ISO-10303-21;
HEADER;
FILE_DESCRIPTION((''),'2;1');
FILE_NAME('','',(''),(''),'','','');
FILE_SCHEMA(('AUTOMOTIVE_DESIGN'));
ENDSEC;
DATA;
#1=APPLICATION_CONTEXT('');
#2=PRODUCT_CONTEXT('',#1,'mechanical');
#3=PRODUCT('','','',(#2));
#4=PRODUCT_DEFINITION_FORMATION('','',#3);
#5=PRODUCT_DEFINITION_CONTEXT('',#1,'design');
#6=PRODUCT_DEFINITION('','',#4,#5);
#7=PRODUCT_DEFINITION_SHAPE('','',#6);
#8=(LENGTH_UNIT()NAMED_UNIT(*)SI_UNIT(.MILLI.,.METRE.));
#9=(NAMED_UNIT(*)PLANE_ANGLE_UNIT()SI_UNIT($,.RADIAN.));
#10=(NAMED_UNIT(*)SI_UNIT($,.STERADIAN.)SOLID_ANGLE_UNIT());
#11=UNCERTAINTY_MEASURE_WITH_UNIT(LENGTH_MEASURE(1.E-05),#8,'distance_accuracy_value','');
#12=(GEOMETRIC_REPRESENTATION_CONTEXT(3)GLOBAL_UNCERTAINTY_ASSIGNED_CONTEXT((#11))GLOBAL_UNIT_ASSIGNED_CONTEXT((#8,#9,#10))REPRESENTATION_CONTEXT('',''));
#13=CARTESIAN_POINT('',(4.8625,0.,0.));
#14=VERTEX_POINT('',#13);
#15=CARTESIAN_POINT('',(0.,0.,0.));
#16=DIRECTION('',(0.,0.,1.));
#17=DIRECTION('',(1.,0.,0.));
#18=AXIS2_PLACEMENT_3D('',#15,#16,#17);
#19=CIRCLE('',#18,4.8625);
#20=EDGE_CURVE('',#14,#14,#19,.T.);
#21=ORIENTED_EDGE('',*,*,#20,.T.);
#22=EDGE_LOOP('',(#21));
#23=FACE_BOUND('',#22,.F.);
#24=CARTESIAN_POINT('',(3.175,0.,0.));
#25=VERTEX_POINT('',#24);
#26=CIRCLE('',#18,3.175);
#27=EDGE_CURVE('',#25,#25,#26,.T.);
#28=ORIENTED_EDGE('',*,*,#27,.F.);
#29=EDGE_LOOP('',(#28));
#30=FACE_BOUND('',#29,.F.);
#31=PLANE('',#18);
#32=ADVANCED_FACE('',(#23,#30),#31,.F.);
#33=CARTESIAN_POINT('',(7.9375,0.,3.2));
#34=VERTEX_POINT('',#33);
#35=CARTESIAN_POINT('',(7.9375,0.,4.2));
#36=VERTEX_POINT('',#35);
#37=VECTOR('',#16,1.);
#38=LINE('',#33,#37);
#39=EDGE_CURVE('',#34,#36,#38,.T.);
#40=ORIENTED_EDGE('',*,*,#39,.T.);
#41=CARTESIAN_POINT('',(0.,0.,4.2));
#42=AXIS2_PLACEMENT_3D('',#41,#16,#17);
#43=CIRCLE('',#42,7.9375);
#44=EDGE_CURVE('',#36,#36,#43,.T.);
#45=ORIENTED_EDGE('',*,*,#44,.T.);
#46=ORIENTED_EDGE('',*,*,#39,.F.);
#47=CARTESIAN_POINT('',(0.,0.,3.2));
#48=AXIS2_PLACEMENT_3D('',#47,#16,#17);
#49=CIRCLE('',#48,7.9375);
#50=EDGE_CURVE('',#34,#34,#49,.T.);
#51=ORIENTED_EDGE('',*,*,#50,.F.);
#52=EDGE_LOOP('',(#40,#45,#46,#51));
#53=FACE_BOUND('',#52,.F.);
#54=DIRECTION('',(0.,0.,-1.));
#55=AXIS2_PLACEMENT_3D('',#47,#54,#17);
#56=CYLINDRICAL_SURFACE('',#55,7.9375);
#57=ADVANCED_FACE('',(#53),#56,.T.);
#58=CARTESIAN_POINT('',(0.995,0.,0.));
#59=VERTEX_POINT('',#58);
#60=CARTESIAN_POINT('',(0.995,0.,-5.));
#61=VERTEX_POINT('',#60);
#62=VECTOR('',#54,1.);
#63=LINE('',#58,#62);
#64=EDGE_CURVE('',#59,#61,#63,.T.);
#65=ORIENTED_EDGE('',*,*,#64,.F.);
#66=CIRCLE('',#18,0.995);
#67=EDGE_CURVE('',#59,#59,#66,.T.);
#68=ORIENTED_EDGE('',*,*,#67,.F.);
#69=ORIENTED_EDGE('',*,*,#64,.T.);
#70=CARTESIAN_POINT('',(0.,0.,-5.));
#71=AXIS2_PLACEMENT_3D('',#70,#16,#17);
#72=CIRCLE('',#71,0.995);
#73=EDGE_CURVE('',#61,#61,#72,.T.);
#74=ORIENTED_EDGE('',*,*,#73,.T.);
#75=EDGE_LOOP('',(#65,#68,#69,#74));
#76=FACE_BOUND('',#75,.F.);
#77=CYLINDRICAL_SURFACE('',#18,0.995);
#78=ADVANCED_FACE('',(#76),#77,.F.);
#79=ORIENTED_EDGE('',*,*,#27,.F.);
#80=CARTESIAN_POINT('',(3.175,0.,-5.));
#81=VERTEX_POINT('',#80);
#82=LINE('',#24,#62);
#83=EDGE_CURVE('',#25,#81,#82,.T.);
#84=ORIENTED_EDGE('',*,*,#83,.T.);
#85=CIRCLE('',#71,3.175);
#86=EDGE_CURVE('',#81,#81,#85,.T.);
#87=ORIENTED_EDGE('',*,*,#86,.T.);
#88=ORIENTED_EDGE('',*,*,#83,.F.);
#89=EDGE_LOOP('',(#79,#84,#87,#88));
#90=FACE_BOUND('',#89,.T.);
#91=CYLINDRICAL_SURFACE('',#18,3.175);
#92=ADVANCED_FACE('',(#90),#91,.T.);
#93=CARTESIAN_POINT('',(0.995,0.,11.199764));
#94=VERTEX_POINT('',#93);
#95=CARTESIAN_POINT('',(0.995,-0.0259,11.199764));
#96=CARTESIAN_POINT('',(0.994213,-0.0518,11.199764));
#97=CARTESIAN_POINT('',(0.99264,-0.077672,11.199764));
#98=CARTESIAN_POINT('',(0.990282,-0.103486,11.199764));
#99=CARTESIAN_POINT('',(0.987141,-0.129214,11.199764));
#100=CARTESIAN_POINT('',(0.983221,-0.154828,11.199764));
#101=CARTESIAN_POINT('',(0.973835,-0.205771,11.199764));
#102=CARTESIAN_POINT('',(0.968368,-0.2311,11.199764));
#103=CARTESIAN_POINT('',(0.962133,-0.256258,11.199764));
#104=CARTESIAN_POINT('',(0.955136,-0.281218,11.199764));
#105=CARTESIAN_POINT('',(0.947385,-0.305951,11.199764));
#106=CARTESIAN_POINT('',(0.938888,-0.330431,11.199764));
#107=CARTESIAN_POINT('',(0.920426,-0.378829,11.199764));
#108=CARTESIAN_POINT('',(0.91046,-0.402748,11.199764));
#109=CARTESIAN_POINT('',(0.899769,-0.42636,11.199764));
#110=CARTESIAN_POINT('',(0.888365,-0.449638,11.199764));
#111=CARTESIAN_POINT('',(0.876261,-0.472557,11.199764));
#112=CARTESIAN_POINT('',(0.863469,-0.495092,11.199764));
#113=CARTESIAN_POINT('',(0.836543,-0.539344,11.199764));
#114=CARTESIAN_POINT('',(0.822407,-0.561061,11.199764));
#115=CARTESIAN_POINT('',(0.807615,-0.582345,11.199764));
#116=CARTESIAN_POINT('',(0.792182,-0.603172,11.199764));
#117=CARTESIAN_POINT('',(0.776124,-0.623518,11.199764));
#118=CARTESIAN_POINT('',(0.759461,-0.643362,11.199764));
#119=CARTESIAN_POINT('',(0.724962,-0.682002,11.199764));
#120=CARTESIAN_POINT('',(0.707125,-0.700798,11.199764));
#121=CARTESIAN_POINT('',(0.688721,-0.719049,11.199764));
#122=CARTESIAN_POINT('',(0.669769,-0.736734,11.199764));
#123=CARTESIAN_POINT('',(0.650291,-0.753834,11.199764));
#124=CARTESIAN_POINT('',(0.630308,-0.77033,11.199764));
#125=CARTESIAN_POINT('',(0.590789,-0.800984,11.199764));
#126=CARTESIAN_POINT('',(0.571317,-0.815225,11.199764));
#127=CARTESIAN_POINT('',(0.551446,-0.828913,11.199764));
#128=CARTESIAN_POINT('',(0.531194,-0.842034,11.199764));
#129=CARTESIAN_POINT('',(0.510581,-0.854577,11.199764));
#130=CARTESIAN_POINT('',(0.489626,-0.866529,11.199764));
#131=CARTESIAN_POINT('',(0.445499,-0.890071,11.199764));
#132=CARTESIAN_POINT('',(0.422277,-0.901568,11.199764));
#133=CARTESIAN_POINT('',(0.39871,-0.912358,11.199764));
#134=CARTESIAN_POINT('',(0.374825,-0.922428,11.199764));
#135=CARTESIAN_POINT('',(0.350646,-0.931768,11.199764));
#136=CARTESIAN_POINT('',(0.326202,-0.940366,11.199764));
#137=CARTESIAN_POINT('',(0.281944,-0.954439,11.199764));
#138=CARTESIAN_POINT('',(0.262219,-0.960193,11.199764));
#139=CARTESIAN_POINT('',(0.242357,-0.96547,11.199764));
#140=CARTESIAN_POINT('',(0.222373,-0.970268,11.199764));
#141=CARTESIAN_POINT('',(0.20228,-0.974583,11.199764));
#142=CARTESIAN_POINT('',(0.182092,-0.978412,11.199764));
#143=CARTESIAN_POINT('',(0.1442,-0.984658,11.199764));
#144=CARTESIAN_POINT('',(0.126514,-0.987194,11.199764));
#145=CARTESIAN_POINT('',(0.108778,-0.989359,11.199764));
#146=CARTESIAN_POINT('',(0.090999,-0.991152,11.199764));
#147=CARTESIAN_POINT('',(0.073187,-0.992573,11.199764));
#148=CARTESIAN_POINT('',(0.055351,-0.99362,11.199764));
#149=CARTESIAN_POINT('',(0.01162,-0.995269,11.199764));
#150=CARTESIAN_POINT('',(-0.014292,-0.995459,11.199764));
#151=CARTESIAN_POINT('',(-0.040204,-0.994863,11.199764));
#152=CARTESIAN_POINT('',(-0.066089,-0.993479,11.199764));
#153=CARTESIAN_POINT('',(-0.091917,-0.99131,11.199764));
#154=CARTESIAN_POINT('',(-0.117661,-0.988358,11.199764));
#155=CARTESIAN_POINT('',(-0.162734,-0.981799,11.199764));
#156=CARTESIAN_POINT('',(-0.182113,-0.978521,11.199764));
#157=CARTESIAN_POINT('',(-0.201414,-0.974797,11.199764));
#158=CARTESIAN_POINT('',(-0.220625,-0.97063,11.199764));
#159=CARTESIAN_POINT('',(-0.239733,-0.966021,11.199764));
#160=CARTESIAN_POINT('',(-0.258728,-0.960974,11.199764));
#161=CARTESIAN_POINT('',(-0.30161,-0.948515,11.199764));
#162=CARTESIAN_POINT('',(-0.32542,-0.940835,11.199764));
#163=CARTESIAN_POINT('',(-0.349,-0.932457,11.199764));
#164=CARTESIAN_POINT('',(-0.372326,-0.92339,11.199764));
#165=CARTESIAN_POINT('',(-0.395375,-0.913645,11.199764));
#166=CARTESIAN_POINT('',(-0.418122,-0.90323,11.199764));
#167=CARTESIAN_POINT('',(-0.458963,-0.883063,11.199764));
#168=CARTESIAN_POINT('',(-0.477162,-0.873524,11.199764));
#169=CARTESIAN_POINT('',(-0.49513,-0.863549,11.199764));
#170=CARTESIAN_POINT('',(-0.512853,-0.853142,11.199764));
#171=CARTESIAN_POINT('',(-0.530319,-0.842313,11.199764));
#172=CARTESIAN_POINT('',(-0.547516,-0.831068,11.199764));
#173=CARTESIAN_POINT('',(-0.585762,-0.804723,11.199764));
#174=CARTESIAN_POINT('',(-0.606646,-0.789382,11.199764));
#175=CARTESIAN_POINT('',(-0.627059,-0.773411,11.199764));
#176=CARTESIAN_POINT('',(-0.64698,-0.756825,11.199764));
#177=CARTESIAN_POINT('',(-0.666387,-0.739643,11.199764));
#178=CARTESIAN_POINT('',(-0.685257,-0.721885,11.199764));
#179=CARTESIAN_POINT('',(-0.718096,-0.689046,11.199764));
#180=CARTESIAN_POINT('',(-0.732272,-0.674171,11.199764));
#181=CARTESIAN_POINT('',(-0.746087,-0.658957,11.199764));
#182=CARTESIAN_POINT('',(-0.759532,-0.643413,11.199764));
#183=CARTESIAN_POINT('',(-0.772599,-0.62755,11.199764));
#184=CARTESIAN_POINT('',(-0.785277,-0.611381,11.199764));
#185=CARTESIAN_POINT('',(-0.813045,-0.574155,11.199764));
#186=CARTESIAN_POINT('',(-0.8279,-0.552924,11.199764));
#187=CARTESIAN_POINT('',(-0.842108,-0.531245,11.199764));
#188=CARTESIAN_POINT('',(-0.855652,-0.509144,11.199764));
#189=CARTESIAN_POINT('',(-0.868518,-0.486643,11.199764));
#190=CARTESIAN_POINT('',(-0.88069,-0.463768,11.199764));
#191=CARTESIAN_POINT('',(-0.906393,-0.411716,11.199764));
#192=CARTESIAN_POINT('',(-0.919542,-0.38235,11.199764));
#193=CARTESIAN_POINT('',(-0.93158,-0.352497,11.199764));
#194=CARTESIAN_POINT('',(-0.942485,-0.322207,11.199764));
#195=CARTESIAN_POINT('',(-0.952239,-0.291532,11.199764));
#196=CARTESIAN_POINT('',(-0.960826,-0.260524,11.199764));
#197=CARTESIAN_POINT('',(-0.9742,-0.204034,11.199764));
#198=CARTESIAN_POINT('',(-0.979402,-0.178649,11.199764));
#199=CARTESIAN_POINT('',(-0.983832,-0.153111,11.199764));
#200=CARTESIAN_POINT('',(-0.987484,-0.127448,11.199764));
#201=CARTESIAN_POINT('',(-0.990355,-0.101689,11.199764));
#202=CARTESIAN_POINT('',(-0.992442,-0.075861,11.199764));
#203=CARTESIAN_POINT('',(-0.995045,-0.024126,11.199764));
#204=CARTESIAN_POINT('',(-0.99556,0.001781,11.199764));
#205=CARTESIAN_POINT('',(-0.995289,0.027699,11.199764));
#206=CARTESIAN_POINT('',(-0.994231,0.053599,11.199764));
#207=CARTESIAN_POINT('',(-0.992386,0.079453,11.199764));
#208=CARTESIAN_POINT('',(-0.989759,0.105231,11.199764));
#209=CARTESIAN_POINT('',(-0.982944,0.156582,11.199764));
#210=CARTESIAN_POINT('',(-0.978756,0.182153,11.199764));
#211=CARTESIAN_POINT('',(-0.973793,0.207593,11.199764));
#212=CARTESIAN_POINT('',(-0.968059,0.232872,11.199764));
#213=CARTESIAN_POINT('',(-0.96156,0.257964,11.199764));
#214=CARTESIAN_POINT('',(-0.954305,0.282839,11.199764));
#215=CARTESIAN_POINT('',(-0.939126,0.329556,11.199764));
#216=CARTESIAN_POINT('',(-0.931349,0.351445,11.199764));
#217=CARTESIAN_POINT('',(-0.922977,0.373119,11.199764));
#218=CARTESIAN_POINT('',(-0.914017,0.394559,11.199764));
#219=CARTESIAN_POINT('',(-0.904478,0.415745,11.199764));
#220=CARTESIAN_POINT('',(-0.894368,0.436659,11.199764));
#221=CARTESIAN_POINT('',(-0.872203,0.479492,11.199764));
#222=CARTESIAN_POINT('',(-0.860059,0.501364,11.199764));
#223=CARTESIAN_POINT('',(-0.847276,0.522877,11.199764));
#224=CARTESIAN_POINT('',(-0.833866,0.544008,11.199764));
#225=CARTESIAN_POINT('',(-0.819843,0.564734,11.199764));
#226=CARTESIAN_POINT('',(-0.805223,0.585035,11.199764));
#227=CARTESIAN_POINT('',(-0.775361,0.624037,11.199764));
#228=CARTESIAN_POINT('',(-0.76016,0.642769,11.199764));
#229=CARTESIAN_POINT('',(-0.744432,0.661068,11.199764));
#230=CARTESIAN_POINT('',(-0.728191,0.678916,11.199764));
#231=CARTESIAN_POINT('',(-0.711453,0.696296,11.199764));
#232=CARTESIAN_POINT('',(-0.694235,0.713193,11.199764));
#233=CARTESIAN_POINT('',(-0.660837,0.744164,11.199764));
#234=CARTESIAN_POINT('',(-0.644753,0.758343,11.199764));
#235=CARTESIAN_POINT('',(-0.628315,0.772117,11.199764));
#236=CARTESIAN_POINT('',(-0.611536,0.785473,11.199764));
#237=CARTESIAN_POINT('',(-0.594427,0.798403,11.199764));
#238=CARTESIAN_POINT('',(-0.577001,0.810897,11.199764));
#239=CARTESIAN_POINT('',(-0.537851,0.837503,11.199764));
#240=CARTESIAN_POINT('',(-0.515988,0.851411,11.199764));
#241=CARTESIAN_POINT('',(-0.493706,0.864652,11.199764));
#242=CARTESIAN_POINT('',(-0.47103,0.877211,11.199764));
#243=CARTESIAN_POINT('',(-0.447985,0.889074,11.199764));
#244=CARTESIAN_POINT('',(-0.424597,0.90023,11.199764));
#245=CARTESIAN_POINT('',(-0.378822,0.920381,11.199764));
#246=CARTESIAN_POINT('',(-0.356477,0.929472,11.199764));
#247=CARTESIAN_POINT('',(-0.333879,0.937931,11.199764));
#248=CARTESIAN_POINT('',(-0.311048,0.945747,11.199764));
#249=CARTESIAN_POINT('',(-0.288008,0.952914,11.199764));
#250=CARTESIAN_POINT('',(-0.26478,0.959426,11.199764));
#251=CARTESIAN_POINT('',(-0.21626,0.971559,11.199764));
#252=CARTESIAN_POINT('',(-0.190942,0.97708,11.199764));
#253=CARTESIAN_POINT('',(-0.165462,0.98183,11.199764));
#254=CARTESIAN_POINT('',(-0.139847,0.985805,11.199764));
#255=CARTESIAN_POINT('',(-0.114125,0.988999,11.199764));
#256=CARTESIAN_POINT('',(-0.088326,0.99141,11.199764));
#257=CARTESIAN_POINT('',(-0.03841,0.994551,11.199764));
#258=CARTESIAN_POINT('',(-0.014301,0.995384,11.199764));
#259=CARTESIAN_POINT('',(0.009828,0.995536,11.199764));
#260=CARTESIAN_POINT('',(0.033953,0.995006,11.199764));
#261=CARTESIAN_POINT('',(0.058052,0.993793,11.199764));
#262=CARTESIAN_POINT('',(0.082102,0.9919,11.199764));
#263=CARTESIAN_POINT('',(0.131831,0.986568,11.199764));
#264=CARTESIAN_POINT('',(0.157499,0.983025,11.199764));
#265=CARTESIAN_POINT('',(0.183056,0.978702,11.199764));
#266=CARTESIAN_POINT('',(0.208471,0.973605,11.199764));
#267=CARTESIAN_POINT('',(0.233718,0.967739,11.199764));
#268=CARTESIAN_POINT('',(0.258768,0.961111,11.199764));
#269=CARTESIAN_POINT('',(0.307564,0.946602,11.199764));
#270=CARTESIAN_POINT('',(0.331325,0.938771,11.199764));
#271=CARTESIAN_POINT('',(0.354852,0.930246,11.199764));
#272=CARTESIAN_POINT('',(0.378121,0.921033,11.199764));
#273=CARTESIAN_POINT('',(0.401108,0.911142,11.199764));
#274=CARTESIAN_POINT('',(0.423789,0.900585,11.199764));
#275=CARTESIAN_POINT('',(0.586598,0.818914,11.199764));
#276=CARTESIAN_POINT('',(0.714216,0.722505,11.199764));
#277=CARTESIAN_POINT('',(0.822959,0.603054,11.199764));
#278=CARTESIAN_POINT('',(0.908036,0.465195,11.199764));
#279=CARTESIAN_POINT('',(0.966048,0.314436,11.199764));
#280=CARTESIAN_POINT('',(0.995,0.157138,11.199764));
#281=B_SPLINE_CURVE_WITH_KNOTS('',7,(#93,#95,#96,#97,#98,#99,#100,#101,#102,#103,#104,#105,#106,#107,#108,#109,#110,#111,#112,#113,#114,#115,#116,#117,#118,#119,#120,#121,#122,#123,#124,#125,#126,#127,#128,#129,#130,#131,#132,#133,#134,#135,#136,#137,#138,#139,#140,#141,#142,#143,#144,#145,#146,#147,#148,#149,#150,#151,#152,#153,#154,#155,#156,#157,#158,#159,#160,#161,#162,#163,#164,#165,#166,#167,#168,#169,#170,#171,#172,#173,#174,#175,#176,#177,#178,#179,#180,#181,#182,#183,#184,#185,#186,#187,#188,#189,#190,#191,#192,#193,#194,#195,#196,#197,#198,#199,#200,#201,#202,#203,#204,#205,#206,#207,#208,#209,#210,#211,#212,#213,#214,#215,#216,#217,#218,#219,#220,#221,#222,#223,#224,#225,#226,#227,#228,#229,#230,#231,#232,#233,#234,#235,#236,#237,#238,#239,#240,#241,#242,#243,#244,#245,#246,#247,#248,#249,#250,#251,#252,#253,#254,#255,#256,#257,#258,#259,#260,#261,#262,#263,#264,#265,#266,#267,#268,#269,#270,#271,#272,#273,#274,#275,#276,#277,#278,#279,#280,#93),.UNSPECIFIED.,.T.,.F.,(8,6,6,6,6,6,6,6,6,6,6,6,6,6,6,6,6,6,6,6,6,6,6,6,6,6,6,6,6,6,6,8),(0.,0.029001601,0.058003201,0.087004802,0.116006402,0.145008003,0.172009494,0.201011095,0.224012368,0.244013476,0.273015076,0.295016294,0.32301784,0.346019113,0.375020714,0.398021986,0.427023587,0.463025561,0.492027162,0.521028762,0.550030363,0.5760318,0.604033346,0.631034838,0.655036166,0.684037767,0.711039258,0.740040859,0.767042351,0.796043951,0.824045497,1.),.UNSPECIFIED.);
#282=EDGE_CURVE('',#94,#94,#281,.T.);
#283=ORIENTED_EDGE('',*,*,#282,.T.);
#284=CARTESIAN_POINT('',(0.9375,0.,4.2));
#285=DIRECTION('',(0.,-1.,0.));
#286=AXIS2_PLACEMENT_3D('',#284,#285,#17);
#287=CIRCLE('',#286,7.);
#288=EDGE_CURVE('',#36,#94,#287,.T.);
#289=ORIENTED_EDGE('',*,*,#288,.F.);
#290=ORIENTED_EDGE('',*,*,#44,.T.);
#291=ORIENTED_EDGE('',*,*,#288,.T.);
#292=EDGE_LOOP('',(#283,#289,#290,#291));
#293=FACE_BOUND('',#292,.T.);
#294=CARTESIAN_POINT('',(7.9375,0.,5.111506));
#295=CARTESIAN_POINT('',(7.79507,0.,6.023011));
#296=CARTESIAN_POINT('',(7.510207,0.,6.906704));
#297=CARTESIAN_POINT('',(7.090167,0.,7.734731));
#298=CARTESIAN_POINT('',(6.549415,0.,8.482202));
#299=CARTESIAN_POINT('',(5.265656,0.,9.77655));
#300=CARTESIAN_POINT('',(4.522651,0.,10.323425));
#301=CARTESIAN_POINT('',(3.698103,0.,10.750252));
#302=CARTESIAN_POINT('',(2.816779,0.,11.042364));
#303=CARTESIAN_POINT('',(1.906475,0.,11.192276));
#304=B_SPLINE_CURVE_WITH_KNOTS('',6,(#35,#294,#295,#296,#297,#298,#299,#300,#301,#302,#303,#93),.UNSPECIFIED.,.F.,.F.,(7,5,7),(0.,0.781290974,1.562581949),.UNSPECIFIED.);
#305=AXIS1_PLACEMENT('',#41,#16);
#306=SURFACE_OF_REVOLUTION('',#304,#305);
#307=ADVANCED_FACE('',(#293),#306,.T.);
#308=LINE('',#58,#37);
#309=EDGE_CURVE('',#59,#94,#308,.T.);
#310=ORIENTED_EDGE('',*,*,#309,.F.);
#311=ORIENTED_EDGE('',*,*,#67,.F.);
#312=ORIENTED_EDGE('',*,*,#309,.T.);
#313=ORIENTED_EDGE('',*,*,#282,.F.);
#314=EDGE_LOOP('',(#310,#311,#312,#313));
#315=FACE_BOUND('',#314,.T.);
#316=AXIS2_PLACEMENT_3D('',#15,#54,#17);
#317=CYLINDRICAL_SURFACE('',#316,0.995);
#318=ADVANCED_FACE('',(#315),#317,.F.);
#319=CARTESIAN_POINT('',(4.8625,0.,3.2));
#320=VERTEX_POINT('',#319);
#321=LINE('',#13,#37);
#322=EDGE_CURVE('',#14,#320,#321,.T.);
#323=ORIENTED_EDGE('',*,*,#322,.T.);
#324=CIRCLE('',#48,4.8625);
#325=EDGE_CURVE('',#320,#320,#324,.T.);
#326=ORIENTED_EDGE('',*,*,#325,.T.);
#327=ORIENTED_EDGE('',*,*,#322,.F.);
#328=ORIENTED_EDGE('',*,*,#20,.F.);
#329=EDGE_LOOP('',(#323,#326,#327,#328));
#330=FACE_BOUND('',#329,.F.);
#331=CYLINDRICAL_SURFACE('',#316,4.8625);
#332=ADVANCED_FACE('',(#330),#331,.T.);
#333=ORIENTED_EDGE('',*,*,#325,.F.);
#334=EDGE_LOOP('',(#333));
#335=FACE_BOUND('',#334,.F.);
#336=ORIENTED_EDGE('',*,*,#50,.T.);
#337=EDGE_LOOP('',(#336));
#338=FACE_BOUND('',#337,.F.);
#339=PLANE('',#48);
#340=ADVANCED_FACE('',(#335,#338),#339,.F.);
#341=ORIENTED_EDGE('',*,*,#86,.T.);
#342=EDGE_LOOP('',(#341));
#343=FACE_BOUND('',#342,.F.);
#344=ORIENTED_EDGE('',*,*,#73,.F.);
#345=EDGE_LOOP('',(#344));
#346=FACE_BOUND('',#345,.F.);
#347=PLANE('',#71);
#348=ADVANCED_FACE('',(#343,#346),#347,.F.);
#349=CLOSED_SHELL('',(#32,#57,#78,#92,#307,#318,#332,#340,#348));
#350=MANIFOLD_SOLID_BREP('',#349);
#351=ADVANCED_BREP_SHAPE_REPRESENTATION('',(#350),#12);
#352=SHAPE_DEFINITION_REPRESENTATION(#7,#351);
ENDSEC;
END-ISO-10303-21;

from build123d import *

# Parameters (mm, degrees)
F0_R          = 4.8625
F1_DEPTH      = 3.2
F2_R          = 7.9375
F2_R_2        = 4.8625
F3_DEPTH      = 8
F4_R          = 7
F5_R          = 3.175
F6_DEPTH      = 5
F7_R          = 0.995
F8_DEPTH      = 25
F8_DEPTH_BACK = 25


with BuildPart() as f1:
    # F0 (on Top) → F1 (new body)
    with BuildSketch(Plane.XY):
        Circle(F0_R)
    extrude(amount=F1_DEPTH)

    # F2 (on face) → F3 (join)
    with BuildSketch(Plane.XY.offset(3.2)):
        Circle(F2_R)
        Circle(F2_R_2, mode=Mode.SUBTRACT)
        Circle(F2_R_2)
    extrude(amount=F3_DEPTH)

    # F4
    f4_edges = [f1.edges().sort_by_distance(p)[0] for p in [
        (-7.9375, 0, 11.2),
    ]]
    fillet(f4_edges, radius=F4_R)

    # F5 (on Top) → F6 (join)
    with BuildSketch(Plane.XY):
        Circle(F5_R)
    extrude(amount=-F6_DEPTH)

    # F7 (on Top) → F8 (cut, two sides)
    with BuildSketch(Plane.XY) as f8_sk:
        Circle(F7_R)
    extrude(amount=-F8_DEPTH, mode=Mode.SUBTRACT)
    extrude(f8_sk.sketch, amount=F8_DEPTH_BACK, mode=Mode.SUBTRACT)


solid = f1.part
